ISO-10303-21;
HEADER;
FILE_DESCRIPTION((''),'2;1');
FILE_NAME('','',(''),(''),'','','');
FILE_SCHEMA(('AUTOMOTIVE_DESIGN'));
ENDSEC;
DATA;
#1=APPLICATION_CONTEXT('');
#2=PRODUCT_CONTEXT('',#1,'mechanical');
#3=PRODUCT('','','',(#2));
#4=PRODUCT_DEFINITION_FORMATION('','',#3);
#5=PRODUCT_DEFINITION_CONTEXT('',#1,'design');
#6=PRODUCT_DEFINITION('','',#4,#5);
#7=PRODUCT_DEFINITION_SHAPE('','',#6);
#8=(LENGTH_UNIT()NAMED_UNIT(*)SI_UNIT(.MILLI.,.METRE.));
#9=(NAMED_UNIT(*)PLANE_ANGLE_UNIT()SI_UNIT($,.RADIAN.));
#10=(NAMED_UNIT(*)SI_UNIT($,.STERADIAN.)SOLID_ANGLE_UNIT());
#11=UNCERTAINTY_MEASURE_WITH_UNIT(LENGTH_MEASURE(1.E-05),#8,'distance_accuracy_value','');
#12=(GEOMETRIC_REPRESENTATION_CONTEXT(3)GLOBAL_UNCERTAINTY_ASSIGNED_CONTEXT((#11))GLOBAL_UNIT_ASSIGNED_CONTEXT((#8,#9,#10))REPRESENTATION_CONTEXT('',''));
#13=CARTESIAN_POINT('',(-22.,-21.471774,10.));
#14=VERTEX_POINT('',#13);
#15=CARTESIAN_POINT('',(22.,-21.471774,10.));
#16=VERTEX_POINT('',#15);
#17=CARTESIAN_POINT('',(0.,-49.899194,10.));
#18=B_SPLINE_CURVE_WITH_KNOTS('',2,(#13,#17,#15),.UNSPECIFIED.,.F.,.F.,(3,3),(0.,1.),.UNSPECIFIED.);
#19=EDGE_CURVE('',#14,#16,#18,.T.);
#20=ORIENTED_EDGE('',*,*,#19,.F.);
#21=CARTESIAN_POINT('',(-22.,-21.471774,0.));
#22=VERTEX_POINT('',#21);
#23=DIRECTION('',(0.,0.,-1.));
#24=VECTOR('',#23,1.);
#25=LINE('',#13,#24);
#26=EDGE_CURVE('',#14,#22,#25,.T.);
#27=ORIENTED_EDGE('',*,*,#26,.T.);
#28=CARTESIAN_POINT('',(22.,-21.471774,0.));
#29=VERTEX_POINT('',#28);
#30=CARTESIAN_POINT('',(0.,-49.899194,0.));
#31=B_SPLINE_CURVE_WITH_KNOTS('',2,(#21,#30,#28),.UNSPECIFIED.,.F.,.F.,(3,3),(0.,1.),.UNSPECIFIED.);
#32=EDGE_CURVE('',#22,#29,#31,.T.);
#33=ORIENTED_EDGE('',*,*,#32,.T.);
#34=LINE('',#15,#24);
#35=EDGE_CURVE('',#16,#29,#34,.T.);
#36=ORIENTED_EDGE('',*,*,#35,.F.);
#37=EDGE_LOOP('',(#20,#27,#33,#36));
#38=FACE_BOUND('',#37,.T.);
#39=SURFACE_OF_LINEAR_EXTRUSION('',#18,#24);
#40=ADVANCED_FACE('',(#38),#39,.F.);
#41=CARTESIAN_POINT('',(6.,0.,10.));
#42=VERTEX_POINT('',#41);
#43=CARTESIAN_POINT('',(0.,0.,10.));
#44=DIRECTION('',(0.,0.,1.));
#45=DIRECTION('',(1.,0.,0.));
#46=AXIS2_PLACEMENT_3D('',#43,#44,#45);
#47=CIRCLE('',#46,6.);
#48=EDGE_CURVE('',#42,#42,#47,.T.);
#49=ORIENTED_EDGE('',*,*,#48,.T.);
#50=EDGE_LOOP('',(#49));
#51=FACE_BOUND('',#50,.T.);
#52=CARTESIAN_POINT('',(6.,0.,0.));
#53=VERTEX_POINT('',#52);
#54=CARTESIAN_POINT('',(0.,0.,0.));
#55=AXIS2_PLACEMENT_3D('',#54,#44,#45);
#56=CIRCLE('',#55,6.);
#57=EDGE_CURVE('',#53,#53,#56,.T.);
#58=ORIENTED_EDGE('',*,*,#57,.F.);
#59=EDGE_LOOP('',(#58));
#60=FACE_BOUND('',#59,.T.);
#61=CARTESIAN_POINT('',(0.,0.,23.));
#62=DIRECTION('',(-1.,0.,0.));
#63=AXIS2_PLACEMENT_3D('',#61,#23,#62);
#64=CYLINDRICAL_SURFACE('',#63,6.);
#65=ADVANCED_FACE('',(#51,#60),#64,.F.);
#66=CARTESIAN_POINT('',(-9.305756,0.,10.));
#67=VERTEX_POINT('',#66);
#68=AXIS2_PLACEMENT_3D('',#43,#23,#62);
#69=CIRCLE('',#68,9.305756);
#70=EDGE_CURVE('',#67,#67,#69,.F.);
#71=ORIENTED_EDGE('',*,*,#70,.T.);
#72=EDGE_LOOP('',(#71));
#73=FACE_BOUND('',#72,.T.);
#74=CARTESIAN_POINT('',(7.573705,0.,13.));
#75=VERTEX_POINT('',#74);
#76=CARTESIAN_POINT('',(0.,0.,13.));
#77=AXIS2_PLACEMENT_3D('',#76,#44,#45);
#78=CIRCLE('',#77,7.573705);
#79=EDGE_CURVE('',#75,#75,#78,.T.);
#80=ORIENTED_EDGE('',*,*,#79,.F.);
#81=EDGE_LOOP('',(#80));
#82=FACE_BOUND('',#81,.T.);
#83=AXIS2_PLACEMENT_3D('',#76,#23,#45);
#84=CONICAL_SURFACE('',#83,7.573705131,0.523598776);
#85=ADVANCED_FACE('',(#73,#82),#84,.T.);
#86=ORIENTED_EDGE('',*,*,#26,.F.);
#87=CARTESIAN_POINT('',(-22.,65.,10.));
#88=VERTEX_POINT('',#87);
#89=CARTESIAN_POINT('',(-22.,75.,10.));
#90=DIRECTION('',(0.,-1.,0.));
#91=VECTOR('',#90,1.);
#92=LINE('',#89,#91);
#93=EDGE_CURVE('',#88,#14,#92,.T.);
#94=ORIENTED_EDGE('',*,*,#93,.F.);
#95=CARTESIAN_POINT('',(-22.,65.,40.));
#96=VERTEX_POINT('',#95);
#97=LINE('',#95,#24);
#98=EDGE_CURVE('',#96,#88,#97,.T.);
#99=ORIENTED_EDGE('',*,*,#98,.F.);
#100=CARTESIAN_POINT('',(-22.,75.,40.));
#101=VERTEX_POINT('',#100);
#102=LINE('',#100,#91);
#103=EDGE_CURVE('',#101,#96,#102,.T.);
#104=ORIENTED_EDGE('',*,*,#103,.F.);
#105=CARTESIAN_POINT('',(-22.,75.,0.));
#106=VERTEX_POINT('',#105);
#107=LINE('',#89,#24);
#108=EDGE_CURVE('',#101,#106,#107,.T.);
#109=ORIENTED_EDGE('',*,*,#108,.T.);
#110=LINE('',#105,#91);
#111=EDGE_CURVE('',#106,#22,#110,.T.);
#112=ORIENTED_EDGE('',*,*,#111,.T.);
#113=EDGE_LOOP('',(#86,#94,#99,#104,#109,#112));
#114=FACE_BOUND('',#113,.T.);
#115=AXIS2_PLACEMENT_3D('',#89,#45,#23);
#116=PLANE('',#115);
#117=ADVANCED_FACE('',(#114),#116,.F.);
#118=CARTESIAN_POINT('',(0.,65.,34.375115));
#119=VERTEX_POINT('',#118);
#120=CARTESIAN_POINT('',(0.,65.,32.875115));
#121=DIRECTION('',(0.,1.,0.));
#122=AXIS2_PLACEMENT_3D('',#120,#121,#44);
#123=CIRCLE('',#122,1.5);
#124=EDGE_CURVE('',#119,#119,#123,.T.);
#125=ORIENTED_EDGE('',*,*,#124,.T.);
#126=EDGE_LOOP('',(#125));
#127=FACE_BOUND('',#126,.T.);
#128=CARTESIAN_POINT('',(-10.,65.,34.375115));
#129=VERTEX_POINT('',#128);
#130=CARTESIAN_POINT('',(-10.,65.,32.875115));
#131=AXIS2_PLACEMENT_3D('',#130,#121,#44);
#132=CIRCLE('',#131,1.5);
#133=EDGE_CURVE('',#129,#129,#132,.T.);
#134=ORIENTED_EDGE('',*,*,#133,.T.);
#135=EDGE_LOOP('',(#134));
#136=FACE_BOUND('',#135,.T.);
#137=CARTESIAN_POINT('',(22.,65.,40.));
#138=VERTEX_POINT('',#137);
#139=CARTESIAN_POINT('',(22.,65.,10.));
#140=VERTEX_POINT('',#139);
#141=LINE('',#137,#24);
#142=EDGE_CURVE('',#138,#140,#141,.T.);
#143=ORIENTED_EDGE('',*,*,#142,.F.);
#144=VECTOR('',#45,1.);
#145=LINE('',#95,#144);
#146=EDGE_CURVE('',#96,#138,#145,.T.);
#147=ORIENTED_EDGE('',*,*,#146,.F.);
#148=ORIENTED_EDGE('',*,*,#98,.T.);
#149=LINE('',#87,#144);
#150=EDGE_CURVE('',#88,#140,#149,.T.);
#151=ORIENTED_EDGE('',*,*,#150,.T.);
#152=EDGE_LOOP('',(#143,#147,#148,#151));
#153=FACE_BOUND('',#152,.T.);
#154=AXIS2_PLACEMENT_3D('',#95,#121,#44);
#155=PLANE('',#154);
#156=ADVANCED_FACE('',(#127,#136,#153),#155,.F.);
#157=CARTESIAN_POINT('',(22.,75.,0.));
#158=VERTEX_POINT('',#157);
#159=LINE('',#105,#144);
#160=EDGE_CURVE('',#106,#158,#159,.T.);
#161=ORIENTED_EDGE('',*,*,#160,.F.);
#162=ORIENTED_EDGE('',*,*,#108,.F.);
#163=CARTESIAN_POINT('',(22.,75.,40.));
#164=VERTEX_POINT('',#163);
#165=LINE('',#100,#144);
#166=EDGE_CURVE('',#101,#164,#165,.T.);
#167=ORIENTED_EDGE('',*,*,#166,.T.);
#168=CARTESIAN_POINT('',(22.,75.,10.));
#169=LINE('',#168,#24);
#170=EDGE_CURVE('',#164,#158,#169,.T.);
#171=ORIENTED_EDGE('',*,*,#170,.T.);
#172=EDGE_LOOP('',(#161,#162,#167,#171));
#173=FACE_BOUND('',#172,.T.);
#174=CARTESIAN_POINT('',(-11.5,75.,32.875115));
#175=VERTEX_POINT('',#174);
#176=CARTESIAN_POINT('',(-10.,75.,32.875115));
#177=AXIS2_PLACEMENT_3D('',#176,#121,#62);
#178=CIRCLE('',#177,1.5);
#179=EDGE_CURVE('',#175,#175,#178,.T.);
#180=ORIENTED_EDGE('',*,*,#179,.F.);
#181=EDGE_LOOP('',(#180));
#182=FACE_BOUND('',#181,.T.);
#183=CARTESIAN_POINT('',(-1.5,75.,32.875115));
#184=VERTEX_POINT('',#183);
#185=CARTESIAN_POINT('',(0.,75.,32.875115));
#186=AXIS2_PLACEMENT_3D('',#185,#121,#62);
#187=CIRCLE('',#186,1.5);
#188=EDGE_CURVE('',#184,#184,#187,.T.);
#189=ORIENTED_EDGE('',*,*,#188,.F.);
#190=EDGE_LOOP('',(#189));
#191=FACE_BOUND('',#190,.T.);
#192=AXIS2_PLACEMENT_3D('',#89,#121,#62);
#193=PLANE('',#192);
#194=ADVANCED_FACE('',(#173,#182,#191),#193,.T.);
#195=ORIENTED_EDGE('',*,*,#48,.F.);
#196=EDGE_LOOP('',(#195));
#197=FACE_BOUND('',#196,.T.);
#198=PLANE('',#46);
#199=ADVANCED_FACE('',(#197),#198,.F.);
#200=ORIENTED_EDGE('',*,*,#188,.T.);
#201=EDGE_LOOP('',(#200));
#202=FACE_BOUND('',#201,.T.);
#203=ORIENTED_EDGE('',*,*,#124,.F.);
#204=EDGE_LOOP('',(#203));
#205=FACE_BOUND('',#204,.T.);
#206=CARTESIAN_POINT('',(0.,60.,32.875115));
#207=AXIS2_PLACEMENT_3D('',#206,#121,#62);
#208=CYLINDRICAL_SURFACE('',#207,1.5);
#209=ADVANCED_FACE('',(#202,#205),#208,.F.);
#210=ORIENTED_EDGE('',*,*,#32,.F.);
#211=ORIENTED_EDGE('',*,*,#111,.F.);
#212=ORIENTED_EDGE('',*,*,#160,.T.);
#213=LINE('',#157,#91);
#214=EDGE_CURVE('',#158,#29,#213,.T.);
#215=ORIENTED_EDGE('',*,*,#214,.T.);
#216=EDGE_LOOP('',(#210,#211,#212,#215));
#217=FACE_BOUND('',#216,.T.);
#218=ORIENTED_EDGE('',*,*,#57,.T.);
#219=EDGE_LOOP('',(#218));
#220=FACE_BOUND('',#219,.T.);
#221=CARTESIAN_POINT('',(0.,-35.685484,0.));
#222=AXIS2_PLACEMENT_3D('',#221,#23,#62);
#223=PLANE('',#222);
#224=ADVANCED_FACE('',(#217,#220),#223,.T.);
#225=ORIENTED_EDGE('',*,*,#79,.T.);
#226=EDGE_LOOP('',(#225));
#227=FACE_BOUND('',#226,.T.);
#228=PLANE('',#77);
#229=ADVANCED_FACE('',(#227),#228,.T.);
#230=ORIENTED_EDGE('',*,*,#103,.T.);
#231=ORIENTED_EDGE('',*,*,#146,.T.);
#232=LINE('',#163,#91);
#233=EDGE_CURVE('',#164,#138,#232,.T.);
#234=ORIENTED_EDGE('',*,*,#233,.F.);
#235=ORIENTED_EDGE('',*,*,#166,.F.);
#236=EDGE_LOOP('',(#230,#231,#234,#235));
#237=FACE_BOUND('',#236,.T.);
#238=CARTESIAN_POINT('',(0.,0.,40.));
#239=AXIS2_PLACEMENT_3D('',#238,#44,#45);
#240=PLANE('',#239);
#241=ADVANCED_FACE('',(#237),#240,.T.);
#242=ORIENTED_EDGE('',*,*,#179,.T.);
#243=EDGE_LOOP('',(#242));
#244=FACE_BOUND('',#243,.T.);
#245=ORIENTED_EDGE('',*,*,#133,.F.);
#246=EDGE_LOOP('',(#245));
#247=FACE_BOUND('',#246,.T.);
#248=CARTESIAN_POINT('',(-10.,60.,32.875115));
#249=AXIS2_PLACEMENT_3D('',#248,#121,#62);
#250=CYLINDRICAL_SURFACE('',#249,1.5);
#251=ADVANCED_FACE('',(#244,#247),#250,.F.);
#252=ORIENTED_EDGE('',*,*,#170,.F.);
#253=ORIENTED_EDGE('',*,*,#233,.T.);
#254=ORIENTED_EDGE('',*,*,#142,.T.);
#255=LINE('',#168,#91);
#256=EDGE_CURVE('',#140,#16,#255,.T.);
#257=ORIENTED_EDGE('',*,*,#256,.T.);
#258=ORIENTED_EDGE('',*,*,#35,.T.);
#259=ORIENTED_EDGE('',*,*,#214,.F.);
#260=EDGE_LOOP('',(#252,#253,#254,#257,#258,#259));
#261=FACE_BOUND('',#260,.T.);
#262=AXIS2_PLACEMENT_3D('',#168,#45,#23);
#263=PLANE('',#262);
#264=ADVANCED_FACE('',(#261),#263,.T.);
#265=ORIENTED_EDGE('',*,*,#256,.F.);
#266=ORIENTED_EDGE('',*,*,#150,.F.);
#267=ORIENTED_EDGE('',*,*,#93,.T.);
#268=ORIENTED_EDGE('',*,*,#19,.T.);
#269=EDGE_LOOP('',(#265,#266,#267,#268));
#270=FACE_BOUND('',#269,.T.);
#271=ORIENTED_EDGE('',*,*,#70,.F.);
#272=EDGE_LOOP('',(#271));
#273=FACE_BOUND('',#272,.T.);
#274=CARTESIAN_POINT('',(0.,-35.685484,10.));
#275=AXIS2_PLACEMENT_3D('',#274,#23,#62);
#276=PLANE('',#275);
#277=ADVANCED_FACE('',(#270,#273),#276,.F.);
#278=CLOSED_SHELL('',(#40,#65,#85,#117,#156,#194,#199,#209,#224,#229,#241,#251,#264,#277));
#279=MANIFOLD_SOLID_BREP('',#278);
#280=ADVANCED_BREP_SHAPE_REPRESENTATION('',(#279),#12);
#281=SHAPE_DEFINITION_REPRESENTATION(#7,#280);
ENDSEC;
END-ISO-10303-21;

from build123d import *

# Parameters (mm, degrees)
EXTRUDE_1_DEPTH        = 10
SKETCH_1_R             = 6
CUT_EXTRUDE_1_DEPTH    = 23
SKETCH_3_W             = 44
SKETCH_3_H             = 10
EXTRUDE_2_DEPTH        = 30
SKETCH_4_R             = 1.5
CUT_EXTRUDE_2_DEPTH    = 15
PATTERN_LINEAR_1_COUNT = 2
PATTERN_LINEAR_1_PITCH = 10
SKETCH_5_R             = 7.573705131
EXTRUDE_3_DEPTH        = 3
DRAFT_1_ANGLE          = 30


with BuildPart() as part:
    # 草图2 → 凸台-拉伸1 (new body)
    with BuildSketch(Plane.XY):
        with BuildLine():
            Line((-22, 75), (22, 75))
            Line((22, 75), (22, -21.471774194))
            add(Edge.make_bspline(
                [(-22, -21.471774194), (0, -49.899193548), (22, -21.471774194)],
                knots=[0, 0, 0, 1, 1, 1], degree=2))
            Line((-22, -21.471774194), (-22, 75))
        make_face()
    extrude(amount=EXTRUDE_1_DEPTH)

    # 草图1 → 切除-拉伸1 (cut)
    with BuildSketch(Plane.XY):
        Circle(SKETCH_1_R)
    extrude(amount=CUT_EXTRUDE_1_DEPTH, mode=Mode.SUBTRACT)

    # 草图3 → 凸台-拉伸2 (add)
    with BuildSketch(Plane.XY.offset(10)):
        with Locations((0, 70)):
            Rectangle(SKETCH_3_W, SKETCH_3_H)
    extrude(amount=EXTRUDE_2_DEPTH)

    # 草图4 → 切除-拉伸2 (cut)
    with BuildSketch(Plane(origin=(0, 75, 0), x_dir=(1, 0, 0), z_dir=(0, 1, 0))):
        with Locations((0, -32.875114596)):
            Circle(SKETCH_4_R)
    cut_extrude_2 = extrude(amount=-CUT_EXTRUDE_2_DEPTH, mode=Mode.SUBTRACT)

    # 阵列(线性)1: 切除-拉伸2 ×2
    with Locations(*[(-i * PATTERN_LINEAR_1_PITCH, 0, 0) for i in range(1, PATTERN_LINEAR_1_COUNT)]):
        add(cut_extrude_2, mode=Mode.SUBTRACT)

    # 草图5 → 凸台-拉伸3 (add)
    with BuildSketch(Plane.XY.offset(10)):
        Circle(SKETCH_5_R)
    extrude(amount=EXTRUDE_3_DEPTH)

    # 拔模1
    draft_1_faces = [part.faces().sort_by_distance(p)[0] for p in [
        (-7.573705131, 0, 11.5),
    ]]
    draft(draft_1_faces, Plane.XY.offset(13), DRAFT_1_ANGLE)


solid = part.part
